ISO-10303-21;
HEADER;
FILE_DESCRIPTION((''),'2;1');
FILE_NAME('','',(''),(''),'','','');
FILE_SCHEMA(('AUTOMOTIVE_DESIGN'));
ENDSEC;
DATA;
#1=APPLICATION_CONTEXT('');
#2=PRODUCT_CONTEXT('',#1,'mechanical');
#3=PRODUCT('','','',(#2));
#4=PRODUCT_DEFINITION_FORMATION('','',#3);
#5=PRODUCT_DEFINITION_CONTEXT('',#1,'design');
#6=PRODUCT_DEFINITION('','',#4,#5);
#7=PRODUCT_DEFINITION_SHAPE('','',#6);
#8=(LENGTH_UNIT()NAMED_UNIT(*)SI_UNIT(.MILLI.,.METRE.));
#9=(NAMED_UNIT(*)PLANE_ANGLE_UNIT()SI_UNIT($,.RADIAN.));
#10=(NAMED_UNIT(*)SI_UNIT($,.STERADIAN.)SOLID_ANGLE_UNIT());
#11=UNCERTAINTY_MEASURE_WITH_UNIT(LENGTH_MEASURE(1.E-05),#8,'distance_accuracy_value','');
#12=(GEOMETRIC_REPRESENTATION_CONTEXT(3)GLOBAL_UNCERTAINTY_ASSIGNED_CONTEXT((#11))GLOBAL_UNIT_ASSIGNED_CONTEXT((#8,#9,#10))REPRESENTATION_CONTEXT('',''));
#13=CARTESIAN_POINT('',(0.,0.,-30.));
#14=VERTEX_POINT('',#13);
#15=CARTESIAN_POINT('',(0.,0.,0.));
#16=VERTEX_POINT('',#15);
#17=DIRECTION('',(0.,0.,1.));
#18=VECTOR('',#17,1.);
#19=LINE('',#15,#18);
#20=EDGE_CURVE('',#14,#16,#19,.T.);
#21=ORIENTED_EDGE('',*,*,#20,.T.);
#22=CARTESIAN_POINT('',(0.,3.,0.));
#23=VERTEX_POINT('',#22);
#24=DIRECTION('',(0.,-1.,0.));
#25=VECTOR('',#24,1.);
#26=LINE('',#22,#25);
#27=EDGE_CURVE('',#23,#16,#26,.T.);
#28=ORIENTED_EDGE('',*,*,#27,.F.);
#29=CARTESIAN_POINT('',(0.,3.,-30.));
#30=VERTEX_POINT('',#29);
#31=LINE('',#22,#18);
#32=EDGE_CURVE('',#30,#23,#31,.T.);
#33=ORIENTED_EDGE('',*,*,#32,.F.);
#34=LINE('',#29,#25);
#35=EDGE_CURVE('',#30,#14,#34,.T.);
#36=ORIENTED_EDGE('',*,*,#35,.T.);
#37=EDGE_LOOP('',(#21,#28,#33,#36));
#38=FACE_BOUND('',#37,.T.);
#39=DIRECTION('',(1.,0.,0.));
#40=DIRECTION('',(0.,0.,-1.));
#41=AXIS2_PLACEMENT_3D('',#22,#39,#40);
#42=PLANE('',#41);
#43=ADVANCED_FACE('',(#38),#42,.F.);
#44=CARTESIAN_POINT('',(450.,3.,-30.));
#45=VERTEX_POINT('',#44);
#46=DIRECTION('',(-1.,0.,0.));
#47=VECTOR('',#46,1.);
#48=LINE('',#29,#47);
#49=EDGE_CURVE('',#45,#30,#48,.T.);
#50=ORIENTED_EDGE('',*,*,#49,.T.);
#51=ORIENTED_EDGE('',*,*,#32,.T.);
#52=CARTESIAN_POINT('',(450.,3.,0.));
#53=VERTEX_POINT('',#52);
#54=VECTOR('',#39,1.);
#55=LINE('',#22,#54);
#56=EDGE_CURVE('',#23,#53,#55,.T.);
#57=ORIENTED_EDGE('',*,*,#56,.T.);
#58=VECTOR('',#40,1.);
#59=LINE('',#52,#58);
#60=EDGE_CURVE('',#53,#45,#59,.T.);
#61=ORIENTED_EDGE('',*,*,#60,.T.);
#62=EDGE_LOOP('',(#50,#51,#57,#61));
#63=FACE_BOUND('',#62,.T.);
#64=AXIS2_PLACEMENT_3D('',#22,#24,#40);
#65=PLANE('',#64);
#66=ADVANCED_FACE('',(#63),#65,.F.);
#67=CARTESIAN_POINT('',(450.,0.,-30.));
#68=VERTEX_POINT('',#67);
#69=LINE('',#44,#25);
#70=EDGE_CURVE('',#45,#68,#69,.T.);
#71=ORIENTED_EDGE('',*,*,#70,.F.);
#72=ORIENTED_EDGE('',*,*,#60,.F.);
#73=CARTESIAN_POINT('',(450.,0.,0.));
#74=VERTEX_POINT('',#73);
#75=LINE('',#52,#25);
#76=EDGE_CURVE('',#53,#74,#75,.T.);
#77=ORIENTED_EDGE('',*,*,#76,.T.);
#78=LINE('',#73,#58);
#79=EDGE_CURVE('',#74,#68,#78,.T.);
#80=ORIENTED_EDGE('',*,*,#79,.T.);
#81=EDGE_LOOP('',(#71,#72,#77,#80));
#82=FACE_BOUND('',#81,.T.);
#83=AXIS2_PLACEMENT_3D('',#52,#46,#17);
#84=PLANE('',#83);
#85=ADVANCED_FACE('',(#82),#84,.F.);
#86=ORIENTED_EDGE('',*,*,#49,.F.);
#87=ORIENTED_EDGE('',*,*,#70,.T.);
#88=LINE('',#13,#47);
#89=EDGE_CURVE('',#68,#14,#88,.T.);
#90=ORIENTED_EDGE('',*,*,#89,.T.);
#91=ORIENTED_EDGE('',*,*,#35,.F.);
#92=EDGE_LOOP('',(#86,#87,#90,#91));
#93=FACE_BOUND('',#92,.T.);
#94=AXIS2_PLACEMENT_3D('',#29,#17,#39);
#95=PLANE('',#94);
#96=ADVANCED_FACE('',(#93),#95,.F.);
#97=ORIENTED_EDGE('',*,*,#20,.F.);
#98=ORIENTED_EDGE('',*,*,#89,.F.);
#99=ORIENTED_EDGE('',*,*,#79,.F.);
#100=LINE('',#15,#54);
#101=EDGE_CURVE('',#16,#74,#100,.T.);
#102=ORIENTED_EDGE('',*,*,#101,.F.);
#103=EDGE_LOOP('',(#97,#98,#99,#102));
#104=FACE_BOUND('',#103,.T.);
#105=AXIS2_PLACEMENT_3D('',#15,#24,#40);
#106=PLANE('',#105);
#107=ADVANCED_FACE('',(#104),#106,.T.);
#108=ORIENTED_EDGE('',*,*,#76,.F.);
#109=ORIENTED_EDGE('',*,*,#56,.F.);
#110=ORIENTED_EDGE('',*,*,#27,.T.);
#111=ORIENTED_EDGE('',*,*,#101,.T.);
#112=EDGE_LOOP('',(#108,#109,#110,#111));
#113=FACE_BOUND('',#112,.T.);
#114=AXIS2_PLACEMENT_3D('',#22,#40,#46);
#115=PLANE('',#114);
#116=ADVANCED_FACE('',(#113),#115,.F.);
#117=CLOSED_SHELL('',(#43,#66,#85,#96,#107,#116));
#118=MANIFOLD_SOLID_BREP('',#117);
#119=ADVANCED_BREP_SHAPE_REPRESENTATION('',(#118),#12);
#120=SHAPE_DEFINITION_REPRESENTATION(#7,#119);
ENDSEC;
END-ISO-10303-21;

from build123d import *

# Parameters (mm, degrees)
SKETCH_1_W      = 450
SKETCH_1_H      = 30
EXTRUDE_1_DEPTH = 3


with BuildPart() as part:
    # Эскиз1 → Бобышка-Вытянуть1 (new body)
    with BuildSketch(Plane(origin=(0, 0, 0), x_dir=(1, 0, 0), z_dir=(0, 1, 0))):
        with Locations((225, 15)):
            Rectangle(SKETCH_1_W, SKETCH_1_H)
    extrude(amount=EXTRUDE_1_DEPTH)


solid = part.part
